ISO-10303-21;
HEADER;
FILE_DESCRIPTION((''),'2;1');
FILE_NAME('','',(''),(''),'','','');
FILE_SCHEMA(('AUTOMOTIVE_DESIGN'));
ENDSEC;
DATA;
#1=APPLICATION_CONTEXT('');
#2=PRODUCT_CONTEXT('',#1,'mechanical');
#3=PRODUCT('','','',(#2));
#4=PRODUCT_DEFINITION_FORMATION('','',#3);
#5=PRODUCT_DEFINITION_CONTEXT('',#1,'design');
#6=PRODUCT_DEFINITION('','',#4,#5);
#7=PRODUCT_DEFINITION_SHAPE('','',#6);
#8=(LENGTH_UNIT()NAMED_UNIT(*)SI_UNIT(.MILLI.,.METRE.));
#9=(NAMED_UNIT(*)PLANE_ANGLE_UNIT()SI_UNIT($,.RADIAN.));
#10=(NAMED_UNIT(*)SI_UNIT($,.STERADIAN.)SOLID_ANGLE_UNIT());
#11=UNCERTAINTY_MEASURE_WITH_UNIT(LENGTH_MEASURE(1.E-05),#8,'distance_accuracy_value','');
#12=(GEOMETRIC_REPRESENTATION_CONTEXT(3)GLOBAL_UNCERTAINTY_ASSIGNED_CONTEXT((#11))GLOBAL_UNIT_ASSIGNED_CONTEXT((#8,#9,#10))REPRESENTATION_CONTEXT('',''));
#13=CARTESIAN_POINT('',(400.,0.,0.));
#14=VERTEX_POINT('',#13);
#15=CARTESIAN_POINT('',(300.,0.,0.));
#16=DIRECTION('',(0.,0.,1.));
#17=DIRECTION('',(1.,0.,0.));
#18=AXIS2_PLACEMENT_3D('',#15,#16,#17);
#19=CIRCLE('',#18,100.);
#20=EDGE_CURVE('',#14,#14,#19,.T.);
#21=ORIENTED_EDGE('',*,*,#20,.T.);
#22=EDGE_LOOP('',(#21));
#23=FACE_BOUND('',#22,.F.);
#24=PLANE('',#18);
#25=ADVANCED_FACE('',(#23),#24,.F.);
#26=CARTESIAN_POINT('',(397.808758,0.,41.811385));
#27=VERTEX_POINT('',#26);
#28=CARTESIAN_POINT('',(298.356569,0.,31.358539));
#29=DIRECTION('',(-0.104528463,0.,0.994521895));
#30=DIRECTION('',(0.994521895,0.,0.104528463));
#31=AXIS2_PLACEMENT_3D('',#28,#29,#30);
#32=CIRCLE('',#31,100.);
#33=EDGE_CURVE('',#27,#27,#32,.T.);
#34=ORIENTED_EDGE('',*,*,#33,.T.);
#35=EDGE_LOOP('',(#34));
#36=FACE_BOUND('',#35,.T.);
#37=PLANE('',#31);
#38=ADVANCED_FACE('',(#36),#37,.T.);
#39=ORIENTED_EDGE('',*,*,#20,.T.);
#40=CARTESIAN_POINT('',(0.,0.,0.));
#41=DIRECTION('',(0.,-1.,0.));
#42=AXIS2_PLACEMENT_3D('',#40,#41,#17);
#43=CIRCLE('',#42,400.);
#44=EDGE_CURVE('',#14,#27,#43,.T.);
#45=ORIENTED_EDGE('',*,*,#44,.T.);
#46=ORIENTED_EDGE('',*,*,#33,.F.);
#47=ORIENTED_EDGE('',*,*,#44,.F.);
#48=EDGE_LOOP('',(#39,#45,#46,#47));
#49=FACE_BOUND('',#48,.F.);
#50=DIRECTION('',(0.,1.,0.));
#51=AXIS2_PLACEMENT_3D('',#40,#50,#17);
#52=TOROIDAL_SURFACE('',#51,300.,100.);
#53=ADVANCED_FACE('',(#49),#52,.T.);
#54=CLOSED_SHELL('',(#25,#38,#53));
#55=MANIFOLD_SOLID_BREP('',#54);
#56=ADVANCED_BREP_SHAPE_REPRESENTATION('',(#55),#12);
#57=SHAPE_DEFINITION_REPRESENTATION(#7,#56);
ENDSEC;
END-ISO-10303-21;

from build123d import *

# Parameters (mm, degrees)
F1_ANGLE = 6


with BuildPart() as f1:
    # F0 (on Top) → F1 (revolve)
    with BuildSketch(Plane.XY):
        with BuildLine():
            ThreePointArc((200, 0), (300, -100), (400, 0))
            ThreePointArc((400, 0), (300, 100), (200, 0))
        make_face()
    revolve(axis=Axis((0, -42.967401, 0), (0, -1, 0)), revolution_arc=F1_ANGLE)


solid = f1.part
